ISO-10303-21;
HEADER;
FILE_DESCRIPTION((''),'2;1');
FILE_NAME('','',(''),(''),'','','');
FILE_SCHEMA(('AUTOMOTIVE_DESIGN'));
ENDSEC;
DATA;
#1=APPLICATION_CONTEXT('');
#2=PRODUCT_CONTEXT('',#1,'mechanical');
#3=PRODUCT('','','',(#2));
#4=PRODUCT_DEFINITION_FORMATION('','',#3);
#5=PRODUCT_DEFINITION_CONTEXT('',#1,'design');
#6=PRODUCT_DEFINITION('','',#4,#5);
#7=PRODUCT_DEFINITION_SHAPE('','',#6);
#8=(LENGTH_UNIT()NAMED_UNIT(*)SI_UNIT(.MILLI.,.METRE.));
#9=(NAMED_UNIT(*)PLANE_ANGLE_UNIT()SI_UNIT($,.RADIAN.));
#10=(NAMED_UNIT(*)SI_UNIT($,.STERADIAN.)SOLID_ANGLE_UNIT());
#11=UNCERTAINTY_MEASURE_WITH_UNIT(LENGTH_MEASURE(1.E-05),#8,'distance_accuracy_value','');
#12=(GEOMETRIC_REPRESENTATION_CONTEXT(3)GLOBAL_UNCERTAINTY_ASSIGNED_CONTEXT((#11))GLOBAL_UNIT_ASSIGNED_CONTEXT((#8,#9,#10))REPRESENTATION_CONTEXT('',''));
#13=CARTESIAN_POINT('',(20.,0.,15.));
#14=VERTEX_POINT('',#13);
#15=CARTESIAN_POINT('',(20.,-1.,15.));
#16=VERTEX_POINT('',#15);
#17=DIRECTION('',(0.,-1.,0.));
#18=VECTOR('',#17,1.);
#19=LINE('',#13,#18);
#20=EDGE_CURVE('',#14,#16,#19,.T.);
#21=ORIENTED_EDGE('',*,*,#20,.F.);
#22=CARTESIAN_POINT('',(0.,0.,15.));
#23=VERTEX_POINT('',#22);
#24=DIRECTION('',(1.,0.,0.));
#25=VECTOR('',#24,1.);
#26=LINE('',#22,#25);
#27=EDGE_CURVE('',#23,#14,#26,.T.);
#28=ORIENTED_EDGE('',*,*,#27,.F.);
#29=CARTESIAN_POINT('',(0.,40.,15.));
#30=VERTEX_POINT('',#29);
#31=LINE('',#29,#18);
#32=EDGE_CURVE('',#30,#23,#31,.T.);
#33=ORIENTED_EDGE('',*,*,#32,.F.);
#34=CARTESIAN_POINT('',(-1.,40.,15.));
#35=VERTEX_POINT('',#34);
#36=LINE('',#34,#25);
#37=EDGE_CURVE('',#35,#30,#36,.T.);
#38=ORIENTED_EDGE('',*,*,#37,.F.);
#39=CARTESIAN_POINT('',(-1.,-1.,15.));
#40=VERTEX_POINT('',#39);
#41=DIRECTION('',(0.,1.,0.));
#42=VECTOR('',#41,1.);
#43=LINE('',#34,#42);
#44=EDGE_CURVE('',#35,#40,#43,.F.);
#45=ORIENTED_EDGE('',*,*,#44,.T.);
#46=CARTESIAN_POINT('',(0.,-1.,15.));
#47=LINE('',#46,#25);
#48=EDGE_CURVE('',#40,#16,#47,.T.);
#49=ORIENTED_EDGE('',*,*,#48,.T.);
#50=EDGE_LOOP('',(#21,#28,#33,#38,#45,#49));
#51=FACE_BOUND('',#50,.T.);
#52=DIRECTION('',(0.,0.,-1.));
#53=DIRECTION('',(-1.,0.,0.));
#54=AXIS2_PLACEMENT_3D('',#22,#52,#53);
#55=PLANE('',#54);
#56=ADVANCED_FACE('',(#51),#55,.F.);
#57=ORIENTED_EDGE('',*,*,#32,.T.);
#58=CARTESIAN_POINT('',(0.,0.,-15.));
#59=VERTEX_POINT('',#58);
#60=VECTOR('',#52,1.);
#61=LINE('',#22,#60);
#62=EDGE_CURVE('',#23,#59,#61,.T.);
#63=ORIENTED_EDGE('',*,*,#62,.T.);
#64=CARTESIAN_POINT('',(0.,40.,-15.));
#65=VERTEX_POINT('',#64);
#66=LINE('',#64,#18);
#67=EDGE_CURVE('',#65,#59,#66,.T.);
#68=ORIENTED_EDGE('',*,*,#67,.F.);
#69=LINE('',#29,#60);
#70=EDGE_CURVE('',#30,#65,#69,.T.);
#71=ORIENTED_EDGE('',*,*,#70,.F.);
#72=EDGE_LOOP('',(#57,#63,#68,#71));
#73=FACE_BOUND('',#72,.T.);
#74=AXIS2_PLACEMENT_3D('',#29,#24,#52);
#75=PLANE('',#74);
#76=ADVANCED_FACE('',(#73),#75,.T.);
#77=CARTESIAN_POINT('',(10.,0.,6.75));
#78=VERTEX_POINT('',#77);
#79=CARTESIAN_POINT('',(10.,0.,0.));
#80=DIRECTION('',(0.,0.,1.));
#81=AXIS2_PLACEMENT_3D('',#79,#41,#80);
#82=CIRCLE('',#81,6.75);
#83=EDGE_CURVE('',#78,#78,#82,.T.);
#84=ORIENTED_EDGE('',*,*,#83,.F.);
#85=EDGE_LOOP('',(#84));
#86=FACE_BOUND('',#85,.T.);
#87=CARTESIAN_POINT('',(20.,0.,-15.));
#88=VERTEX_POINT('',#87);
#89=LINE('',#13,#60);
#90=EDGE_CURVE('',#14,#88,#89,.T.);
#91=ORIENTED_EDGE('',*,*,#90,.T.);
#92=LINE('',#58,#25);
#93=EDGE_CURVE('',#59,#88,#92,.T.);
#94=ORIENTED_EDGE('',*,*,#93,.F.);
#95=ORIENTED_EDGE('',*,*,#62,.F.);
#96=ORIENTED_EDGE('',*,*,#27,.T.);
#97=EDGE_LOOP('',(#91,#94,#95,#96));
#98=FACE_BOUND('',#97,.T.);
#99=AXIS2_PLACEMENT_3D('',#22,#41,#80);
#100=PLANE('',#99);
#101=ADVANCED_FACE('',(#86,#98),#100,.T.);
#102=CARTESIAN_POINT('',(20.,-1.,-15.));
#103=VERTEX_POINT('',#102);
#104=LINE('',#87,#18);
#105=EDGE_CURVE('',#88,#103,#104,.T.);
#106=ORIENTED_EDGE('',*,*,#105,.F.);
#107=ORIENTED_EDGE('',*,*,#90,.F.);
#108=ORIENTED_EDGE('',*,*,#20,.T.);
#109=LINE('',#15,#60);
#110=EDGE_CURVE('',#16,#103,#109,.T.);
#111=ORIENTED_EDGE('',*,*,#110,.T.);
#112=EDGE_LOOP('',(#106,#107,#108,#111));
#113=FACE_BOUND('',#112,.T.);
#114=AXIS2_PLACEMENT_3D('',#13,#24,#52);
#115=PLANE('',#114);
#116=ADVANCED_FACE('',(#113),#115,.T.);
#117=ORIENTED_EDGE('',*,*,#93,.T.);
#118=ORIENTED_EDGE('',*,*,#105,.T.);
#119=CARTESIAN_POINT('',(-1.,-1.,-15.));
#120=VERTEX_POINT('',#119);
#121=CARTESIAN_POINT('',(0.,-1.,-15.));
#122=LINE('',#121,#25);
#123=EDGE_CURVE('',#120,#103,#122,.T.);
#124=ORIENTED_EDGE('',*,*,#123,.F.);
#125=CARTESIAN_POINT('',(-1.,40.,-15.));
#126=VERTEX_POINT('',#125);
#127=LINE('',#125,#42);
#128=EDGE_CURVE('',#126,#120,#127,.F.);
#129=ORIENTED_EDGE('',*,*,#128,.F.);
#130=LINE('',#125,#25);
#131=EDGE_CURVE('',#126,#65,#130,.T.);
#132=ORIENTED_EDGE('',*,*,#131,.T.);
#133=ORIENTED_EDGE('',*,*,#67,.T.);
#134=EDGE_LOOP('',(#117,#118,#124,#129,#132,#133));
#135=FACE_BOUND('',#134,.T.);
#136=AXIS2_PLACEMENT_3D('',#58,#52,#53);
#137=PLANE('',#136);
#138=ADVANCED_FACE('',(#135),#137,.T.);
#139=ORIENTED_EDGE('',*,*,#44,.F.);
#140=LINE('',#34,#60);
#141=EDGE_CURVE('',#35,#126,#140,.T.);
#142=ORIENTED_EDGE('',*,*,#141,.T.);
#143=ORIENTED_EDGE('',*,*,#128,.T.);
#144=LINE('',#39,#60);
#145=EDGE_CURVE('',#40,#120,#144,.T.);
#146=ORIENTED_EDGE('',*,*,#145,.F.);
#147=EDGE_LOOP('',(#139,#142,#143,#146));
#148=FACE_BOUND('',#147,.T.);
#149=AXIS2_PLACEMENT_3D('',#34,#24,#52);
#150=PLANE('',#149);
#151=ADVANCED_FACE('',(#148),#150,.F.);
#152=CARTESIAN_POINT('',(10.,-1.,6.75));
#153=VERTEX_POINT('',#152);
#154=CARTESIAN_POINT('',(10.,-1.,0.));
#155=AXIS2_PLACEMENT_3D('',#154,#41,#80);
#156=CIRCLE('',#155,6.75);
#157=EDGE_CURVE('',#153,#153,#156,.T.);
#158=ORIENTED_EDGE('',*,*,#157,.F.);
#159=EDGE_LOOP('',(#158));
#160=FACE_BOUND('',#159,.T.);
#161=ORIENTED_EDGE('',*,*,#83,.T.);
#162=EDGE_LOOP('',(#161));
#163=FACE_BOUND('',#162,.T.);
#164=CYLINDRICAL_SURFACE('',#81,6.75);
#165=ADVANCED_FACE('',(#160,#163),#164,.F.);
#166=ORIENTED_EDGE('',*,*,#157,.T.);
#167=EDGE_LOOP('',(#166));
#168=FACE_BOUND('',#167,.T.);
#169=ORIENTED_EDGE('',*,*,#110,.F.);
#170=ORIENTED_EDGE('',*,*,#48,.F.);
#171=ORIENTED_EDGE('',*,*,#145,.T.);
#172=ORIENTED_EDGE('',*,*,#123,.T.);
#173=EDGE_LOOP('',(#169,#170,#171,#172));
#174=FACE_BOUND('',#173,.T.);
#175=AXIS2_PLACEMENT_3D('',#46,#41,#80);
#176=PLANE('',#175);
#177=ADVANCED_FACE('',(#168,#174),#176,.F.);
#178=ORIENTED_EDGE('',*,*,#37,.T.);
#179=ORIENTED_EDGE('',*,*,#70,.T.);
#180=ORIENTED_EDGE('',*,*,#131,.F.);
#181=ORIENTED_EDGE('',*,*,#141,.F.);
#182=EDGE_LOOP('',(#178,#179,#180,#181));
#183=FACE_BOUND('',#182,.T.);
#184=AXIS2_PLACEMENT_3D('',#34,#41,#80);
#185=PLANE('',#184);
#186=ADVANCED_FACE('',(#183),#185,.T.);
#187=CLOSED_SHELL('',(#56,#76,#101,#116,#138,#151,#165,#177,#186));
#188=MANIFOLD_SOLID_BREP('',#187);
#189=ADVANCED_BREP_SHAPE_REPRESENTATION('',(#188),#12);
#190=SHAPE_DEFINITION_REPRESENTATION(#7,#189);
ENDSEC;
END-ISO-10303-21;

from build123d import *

# Parameters (mm, degrees)
EXTRUDE_THIN1_DEPTH       = 15
M12_CLEARANCE_SLOT1_D     = 13.5
M12_CLEARANCE_SLOT1_DEPTH = 1


with BuildPart() as part:
    # Sketch1 → Extrude-Thin1 (new body, symmetric)
    with BuildSketch(Plane.XY):
        Polygon((0, 40), (0, 0), (20, 0), (20, -1), (-1, -1), (-1, 40), align=None)
    extrude(amount=EXTRUDE_THIN1_DEPTH, both=True)

    # M12 Clearance Slot1
    with Locations(Plane(origin=(0, 0, 0), x_dir=(1, 0, 0), z_dir=(0, 1, 0))):
        with Locations((10, 0)):
            Hole(M12_CLEARANCE_SLOT1_D / 2, depth=M12_CLEARANCE_SLOT1_DEPTH)


solid = part.part
